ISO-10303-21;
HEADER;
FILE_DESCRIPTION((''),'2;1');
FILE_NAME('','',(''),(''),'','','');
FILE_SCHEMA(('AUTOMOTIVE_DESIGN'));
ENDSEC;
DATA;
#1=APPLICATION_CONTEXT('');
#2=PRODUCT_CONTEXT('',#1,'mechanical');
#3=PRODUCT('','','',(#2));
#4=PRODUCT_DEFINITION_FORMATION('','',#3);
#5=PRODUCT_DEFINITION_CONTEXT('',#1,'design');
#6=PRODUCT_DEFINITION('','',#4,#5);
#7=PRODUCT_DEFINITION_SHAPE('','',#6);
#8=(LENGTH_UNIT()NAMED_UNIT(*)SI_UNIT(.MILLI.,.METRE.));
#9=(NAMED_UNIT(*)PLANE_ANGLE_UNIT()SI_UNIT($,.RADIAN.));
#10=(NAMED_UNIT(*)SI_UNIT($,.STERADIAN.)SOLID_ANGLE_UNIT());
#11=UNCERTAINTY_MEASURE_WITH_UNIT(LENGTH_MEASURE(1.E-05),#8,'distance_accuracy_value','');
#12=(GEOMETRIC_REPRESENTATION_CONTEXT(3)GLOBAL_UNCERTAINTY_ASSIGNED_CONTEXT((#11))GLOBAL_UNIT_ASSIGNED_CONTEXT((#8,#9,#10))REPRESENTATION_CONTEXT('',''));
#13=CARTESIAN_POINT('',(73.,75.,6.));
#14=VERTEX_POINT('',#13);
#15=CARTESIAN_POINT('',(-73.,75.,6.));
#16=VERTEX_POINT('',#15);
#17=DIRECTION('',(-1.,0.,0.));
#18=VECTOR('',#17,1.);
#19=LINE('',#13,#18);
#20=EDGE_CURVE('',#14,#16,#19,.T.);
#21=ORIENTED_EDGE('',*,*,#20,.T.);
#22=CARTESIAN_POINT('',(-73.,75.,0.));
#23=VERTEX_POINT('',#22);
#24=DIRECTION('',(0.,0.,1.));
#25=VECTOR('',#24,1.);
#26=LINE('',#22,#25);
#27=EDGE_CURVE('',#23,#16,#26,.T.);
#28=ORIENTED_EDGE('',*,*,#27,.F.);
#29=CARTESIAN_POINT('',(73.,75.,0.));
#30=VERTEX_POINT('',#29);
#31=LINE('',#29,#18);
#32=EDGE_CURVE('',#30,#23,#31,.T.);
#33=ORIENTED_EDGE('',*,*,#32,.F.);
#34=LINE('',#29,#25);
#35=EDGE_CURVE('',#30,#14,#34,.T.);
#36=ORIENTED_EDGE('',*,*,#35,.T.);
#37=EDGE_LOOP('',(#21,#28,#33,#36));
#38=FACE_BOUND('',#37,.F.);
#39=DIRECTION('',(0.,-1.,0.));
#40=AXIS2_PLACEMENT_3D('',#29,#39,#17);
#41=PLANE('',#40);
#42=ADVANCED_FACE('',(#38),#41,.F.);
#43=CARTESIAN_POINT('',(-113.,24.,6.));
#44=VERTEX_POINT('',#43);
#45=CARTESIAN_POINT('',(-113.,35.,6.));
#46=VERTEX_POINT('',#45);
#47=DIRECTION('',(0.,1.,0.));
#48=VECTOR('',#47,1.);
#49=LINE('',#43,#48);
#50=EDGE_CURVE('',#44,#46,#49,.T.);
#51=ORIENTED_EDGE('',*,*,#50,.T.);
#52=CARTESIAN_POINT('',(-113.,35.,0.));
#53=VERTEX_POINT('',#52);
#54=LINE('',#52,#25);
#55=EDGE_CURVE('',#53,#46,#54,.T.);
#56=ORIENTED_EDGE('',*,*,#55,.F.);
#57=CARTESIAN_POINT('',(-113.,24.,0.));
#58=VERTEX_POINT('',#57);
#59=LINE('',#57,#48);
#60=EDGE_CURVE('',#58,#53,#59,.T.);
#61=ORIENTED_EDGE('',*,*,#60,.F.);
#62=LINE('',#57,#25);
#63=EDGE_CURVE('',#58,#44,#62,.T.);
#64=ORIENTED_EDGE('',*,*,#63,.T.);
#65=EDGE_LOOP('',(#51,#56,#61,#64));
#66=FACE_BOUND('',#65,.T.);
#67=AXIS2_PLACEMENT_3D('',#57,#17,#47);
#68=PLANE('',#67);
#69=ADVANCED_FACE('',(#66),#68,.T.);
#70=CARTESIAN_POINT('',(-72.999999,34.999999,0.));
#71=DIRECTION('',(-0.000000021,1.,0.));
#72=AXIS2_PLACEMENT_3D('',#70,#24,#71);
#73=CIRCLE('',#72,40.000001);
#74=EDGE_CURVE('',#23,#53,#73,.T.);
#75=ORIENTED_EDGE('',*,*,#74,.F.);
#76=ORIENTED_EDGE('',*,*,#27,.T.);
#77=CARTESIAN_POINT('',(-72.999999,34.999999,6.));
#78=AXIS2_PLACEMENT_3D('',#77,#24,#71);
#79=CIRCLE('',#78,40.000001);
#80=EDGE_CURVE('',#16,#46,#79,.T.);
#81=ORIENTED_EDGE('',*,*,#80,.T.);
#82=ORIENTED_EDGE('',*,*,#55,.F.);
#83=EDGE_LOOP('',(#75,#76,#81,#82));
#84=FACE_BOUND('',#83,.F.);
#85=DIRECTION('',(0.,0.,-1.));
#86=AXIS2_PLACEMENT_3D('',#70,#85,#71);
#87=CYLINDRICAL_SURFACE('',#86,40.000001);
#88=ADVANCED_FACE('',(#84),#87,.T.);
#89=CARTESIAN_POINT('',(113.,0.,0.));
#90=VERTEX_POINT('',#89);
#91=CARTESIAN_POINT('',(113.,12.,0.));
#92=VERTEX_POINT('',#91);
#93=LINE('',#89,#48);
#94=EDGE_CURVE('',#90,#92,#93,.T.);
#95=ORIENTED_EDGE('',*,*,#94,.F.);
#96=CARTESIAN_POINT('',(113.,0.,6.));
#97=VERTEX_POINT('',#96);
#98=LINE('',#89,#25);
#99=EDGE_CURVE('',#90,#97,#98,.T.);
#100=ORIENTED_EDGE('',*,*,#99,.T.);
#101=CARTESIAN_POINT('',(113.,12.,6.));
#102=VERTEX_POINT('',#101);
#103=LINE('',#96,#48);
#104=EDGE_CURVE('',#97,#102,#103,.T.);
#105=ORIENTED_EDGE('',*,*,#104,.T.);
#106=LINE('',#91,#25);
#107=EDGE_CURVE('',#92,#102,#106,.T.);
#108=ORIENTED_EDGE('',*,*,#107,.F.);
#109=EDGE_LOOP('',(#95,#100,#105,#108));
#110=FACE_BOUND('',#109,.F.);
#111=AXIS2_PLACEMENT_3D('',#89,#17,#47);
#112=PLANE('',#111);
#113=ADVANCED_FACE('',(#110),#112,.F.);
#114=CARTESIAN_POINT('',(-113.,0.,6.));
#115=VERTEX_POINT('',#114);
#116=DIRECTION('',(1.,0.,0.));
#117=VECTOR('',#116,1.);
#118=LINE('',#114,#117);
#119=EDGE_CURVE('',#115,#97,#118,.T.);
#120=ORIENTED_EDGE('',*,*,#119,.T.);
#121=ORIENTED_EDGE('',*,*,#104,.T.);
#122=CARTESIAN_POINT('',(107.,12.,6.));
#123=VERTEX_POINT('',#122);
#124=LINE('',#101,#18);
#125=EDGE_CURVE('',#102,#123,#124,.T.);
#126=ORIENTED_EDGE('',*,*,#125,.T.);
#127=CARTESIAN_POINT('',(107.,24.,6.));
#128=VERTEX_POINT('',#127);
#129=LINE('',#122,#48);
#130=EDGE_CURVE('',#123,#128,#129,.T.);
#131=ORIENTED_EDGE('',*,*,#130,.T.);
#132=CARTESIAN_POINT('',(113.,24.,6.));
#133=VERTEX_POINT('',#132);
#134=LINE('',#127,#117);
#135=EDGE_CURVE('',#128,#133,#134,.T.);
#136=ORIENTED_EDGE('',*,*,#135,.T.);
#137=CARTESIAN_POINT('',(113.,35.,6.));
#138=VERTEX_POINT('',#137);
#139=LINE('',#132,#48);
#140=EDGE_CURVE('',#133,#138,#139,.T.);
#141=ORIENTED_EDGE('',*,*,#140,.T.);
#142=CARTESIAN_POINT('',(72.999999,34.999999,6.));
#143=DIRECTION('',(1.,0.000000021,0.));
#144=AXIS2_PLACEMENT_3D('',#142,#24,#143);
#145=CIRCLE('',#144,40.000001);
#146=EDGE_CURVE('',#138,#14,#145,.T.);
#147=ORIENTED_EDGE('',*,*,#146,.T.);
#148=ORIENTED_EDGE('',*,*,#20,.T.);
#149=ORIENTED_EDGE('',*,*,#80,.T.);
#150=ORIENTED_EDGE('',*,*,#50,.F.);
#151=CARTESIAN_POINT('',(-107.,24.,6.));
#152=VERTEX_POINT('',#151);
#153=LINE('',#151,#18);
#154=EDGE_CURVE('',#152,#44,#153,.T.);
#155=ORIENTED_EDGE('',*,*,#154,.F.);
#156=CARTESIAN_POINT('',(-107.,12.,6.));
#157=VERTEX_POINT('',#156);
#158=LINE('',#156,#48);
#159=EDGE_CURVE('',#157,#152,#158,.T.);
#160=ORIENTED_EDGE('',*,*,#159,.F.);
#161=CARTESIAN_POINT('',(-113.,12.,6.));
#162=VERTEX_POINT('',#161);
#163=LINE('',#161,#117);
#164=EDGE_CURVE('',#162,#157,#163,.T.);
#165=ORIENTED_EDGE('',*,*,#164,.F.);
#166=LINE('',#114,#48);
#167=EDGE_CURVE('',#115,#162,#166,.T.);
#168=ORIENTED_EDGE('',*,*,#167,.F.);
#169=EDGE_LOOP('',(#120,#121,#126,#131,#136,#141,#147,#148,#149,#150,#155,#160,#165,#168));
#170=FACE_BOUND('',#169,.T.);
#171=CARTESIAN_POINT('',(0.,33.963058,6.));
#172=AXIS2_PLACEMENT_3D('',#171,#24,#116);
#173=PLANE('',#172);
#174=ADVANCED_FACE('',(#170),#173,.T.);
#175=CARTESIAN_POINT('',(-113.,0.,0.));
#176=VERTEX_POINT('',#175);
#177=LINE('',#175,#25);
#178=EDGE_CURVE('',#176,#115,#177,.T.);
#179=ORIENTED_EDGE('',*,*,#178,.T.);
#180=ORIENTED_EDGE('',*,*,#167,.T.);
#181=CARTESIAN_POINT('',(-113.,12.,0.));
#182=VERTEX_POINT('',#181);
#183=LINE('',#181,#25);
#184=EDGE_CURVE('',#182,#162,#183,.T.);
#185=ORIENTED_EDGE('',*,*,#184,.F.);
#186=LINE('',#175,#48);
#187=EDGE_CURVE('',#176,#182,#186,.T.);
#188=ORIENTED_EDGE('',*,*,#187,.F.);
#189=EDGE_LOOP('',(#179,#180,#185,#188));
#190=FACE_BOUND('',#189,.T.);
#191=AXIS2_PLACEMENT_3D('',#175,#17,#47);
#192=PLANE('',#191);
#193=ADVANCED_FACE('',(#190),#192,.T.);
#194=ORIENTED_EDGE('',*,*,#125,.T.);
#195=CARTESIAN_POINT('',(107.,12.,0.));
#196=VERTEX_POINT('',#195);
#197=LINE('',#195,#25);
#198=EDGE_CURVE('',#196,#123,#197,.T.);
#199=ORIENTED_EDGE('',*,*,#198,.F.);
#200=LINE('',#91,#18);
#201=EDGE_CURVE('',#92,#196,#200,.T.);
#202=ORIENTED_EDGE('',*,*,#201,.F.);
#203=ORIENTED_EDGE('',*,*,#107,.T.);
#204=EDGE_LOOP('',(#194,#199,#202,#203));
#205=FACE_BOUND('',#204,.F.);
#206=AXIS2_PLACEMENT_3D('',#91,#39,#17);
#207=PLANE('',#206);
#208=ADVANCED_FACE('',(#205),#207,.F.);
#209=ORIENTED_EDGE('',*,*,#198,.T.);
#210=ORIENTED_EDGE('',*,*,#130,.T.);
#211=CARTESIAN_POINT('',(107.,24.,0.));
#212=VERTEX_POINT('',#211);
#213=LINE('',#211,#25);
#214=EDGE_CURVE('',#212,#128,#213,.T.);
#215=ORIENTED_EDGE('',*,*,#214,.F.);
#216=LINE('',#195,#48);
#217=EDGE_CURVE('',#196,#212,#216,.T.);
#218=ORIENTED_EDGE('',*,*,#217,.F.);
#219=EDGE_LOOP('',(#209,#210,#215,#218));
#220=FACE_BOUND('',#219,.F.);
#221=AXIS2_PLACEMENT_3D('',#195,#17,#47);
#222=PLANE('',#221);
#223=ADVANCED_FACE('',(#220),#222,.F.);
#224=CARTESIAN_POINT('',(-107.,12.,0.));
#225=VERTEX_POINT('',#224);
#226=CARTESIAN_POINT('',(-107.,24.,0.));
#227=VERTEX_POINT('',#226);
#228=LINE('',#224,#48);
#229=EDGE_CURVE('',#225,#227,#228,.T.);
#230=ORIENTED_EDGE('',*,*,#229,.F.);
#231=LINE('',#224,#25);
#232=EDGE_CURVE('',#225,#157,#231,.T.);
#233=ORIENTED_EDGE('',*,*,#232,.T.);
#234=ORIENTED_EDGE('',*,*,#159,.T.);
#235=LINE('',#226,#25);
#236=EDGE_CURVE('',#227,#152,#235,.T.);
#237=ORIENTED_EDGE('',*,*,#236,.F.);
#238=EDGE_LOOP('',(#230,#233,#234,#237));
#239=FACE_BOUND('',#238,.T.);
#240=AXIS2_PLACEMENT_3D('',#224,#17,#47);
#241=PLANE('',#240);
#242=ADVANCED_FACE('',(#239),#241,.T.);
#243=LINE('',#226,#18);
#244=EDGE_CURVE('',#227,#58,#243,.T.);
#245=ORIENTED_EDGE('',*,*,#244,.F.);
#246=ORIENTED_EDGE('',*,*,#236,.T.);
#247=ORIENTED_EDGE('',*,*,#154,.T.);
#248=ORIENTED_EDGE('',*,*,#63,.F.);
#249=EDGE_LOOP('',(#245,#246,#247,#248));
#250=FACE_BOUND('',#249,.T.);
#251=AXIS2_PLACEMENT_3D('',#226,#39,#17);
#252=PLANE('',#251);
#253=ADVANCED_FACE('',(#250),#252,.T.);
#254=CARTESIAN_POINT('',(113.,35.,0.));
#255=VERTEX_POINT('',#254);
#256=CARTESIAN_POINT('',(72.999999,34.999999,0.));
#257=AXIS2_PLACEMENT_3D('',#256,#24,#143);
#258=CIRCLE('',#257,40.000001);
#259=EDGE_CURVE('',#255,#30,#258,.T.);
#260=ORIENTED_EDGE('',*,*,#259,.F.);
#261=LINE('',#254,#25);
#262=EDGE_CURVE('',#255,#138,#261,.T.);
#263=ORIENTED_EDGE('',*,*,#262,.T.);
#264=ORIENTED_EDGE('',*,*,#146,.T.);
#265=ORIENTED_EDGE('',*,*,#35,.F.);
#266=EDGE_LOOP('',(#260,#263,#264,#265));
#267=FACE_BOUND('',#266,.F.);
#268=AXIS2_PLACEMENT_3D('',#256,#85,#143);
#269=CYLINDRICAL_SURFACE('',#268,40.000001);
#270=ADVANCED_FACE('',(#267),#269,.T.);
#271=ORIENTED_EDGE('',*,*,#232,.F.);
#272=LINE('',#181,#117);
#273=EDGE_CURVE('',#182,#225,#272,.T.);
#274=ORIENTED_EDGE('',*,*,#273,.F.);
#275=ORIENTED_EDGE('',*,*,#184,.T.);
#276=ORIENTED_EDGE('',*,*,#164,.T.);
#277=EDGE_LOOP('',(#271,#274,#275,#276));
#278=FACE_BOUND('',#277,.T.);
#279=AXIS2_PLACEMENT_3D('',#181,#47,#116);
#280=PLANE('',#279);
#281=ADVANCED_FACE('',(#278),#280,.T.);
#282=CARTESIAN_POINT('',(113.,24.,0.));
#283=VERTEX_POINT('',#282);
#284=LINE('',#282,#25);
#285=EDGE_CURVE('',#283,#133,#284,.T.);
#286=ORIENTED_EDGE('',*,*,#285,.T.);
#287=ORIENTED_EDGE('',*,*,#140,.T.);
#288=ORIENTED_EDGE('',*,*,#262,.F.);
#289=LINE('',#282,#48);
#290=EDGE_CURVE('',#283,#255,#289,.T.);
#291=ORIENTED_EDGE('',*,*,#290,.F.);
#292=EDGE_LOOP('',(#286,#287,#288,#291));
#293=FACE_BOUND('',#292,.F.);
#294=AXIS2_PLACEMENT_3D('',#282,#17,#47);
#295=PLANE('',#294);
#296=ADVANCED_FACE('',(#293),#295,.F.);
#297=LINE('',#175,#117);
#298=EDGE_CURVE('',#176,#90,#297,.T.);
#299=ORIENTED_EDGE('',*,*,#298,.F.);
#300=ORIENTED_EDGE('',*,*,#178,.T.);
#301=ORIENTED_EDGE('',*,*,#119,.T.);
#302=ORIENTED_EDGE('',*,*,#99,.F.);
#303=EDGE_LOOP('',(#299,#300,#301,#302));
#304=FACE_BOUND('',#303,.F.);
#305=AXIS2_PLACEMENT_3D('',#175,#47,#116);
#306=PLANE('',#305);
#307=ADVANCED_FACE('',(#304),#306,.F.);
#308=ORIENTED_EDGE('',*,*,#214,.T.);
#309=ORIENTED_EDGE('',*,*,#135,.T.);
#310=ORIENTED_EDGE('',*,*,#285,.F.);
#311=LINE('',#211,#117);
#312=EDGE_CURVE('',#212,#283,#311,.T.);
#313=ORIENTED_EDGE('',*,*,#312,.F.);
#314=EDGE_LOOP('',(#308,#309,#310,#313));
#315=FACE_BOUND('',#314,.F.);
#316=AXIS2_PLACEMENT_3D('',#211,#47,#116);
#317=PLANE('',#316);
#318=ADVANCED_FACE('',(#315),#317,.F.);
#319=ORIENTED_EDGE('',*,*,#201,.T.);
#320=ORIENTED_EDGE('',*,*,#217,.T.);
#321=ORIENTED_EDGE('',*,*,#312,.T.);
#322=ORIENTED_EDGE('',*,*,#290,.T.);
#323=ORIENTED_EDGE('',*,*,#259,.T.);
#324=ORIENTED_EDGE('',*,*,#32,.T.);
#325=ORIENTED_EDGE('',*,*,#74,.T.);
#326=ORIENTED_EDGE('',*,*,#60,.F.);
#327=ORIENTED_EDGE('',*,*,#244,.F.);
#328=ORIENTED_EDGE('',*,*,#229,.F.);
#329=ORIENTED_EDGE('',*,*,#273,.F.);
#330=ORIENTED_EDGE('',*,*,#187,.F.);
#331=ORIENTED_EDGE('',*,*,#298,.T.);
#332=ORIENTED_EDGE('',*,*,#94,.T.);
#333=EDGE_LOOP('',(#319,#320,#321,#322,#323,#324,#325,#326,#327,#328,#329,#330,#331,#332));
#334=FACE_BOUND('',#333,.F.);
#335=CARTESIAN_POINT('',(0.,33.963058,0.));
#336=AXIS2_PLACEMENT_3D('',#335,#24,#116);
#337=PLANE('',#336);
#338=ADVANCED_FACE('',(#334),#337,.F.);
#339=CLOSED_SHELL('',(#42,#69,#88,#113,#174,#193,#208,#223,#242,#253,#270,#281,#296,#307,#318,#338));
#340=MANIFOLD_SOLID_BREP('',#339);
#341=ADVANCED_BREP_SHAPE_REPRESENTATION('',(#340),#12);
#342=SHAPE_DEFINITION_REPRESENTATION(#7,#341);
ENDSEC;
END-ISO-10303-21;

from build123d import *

# Parameters (mm, degrees)
PAD_DEPTH = 6


with BuildPart() as part:
    # Sketch → Pad (new body)
    with BuildSketch(Plane.XY):
        with BuildLine():
            Line((0, 0), (113, 0))
            Line((113, 0), (113, 12))
            Line((113, 12), (107, 12))
            Line((107, 12), (107, 24))
            Line((107, 24), (113, 24))
            Line((113, 24), (113, 35))
            ThreePointArc((113, 35), (101.284271, 63.284271), (73, 75))
            Line((73, 75), (0, 75))
            Line((-73, 75), (0, 75))
            ThreePointArc((-73, 75), (-101.284271, 63.284271), (-113, 35))
            Line((-113, 24), (-113, 35))
            Line((-107, 24), (-113, 24))
            Line((-107, 12), (-107, 24))
            Line((-113, 12), (-107, 12))
            Line((-113, 0), (-113, 12))
            Line((0, 0), (-113, 0))
        make_face()
    extrude(amount=PAD_DEPTH)


solid = part.part
